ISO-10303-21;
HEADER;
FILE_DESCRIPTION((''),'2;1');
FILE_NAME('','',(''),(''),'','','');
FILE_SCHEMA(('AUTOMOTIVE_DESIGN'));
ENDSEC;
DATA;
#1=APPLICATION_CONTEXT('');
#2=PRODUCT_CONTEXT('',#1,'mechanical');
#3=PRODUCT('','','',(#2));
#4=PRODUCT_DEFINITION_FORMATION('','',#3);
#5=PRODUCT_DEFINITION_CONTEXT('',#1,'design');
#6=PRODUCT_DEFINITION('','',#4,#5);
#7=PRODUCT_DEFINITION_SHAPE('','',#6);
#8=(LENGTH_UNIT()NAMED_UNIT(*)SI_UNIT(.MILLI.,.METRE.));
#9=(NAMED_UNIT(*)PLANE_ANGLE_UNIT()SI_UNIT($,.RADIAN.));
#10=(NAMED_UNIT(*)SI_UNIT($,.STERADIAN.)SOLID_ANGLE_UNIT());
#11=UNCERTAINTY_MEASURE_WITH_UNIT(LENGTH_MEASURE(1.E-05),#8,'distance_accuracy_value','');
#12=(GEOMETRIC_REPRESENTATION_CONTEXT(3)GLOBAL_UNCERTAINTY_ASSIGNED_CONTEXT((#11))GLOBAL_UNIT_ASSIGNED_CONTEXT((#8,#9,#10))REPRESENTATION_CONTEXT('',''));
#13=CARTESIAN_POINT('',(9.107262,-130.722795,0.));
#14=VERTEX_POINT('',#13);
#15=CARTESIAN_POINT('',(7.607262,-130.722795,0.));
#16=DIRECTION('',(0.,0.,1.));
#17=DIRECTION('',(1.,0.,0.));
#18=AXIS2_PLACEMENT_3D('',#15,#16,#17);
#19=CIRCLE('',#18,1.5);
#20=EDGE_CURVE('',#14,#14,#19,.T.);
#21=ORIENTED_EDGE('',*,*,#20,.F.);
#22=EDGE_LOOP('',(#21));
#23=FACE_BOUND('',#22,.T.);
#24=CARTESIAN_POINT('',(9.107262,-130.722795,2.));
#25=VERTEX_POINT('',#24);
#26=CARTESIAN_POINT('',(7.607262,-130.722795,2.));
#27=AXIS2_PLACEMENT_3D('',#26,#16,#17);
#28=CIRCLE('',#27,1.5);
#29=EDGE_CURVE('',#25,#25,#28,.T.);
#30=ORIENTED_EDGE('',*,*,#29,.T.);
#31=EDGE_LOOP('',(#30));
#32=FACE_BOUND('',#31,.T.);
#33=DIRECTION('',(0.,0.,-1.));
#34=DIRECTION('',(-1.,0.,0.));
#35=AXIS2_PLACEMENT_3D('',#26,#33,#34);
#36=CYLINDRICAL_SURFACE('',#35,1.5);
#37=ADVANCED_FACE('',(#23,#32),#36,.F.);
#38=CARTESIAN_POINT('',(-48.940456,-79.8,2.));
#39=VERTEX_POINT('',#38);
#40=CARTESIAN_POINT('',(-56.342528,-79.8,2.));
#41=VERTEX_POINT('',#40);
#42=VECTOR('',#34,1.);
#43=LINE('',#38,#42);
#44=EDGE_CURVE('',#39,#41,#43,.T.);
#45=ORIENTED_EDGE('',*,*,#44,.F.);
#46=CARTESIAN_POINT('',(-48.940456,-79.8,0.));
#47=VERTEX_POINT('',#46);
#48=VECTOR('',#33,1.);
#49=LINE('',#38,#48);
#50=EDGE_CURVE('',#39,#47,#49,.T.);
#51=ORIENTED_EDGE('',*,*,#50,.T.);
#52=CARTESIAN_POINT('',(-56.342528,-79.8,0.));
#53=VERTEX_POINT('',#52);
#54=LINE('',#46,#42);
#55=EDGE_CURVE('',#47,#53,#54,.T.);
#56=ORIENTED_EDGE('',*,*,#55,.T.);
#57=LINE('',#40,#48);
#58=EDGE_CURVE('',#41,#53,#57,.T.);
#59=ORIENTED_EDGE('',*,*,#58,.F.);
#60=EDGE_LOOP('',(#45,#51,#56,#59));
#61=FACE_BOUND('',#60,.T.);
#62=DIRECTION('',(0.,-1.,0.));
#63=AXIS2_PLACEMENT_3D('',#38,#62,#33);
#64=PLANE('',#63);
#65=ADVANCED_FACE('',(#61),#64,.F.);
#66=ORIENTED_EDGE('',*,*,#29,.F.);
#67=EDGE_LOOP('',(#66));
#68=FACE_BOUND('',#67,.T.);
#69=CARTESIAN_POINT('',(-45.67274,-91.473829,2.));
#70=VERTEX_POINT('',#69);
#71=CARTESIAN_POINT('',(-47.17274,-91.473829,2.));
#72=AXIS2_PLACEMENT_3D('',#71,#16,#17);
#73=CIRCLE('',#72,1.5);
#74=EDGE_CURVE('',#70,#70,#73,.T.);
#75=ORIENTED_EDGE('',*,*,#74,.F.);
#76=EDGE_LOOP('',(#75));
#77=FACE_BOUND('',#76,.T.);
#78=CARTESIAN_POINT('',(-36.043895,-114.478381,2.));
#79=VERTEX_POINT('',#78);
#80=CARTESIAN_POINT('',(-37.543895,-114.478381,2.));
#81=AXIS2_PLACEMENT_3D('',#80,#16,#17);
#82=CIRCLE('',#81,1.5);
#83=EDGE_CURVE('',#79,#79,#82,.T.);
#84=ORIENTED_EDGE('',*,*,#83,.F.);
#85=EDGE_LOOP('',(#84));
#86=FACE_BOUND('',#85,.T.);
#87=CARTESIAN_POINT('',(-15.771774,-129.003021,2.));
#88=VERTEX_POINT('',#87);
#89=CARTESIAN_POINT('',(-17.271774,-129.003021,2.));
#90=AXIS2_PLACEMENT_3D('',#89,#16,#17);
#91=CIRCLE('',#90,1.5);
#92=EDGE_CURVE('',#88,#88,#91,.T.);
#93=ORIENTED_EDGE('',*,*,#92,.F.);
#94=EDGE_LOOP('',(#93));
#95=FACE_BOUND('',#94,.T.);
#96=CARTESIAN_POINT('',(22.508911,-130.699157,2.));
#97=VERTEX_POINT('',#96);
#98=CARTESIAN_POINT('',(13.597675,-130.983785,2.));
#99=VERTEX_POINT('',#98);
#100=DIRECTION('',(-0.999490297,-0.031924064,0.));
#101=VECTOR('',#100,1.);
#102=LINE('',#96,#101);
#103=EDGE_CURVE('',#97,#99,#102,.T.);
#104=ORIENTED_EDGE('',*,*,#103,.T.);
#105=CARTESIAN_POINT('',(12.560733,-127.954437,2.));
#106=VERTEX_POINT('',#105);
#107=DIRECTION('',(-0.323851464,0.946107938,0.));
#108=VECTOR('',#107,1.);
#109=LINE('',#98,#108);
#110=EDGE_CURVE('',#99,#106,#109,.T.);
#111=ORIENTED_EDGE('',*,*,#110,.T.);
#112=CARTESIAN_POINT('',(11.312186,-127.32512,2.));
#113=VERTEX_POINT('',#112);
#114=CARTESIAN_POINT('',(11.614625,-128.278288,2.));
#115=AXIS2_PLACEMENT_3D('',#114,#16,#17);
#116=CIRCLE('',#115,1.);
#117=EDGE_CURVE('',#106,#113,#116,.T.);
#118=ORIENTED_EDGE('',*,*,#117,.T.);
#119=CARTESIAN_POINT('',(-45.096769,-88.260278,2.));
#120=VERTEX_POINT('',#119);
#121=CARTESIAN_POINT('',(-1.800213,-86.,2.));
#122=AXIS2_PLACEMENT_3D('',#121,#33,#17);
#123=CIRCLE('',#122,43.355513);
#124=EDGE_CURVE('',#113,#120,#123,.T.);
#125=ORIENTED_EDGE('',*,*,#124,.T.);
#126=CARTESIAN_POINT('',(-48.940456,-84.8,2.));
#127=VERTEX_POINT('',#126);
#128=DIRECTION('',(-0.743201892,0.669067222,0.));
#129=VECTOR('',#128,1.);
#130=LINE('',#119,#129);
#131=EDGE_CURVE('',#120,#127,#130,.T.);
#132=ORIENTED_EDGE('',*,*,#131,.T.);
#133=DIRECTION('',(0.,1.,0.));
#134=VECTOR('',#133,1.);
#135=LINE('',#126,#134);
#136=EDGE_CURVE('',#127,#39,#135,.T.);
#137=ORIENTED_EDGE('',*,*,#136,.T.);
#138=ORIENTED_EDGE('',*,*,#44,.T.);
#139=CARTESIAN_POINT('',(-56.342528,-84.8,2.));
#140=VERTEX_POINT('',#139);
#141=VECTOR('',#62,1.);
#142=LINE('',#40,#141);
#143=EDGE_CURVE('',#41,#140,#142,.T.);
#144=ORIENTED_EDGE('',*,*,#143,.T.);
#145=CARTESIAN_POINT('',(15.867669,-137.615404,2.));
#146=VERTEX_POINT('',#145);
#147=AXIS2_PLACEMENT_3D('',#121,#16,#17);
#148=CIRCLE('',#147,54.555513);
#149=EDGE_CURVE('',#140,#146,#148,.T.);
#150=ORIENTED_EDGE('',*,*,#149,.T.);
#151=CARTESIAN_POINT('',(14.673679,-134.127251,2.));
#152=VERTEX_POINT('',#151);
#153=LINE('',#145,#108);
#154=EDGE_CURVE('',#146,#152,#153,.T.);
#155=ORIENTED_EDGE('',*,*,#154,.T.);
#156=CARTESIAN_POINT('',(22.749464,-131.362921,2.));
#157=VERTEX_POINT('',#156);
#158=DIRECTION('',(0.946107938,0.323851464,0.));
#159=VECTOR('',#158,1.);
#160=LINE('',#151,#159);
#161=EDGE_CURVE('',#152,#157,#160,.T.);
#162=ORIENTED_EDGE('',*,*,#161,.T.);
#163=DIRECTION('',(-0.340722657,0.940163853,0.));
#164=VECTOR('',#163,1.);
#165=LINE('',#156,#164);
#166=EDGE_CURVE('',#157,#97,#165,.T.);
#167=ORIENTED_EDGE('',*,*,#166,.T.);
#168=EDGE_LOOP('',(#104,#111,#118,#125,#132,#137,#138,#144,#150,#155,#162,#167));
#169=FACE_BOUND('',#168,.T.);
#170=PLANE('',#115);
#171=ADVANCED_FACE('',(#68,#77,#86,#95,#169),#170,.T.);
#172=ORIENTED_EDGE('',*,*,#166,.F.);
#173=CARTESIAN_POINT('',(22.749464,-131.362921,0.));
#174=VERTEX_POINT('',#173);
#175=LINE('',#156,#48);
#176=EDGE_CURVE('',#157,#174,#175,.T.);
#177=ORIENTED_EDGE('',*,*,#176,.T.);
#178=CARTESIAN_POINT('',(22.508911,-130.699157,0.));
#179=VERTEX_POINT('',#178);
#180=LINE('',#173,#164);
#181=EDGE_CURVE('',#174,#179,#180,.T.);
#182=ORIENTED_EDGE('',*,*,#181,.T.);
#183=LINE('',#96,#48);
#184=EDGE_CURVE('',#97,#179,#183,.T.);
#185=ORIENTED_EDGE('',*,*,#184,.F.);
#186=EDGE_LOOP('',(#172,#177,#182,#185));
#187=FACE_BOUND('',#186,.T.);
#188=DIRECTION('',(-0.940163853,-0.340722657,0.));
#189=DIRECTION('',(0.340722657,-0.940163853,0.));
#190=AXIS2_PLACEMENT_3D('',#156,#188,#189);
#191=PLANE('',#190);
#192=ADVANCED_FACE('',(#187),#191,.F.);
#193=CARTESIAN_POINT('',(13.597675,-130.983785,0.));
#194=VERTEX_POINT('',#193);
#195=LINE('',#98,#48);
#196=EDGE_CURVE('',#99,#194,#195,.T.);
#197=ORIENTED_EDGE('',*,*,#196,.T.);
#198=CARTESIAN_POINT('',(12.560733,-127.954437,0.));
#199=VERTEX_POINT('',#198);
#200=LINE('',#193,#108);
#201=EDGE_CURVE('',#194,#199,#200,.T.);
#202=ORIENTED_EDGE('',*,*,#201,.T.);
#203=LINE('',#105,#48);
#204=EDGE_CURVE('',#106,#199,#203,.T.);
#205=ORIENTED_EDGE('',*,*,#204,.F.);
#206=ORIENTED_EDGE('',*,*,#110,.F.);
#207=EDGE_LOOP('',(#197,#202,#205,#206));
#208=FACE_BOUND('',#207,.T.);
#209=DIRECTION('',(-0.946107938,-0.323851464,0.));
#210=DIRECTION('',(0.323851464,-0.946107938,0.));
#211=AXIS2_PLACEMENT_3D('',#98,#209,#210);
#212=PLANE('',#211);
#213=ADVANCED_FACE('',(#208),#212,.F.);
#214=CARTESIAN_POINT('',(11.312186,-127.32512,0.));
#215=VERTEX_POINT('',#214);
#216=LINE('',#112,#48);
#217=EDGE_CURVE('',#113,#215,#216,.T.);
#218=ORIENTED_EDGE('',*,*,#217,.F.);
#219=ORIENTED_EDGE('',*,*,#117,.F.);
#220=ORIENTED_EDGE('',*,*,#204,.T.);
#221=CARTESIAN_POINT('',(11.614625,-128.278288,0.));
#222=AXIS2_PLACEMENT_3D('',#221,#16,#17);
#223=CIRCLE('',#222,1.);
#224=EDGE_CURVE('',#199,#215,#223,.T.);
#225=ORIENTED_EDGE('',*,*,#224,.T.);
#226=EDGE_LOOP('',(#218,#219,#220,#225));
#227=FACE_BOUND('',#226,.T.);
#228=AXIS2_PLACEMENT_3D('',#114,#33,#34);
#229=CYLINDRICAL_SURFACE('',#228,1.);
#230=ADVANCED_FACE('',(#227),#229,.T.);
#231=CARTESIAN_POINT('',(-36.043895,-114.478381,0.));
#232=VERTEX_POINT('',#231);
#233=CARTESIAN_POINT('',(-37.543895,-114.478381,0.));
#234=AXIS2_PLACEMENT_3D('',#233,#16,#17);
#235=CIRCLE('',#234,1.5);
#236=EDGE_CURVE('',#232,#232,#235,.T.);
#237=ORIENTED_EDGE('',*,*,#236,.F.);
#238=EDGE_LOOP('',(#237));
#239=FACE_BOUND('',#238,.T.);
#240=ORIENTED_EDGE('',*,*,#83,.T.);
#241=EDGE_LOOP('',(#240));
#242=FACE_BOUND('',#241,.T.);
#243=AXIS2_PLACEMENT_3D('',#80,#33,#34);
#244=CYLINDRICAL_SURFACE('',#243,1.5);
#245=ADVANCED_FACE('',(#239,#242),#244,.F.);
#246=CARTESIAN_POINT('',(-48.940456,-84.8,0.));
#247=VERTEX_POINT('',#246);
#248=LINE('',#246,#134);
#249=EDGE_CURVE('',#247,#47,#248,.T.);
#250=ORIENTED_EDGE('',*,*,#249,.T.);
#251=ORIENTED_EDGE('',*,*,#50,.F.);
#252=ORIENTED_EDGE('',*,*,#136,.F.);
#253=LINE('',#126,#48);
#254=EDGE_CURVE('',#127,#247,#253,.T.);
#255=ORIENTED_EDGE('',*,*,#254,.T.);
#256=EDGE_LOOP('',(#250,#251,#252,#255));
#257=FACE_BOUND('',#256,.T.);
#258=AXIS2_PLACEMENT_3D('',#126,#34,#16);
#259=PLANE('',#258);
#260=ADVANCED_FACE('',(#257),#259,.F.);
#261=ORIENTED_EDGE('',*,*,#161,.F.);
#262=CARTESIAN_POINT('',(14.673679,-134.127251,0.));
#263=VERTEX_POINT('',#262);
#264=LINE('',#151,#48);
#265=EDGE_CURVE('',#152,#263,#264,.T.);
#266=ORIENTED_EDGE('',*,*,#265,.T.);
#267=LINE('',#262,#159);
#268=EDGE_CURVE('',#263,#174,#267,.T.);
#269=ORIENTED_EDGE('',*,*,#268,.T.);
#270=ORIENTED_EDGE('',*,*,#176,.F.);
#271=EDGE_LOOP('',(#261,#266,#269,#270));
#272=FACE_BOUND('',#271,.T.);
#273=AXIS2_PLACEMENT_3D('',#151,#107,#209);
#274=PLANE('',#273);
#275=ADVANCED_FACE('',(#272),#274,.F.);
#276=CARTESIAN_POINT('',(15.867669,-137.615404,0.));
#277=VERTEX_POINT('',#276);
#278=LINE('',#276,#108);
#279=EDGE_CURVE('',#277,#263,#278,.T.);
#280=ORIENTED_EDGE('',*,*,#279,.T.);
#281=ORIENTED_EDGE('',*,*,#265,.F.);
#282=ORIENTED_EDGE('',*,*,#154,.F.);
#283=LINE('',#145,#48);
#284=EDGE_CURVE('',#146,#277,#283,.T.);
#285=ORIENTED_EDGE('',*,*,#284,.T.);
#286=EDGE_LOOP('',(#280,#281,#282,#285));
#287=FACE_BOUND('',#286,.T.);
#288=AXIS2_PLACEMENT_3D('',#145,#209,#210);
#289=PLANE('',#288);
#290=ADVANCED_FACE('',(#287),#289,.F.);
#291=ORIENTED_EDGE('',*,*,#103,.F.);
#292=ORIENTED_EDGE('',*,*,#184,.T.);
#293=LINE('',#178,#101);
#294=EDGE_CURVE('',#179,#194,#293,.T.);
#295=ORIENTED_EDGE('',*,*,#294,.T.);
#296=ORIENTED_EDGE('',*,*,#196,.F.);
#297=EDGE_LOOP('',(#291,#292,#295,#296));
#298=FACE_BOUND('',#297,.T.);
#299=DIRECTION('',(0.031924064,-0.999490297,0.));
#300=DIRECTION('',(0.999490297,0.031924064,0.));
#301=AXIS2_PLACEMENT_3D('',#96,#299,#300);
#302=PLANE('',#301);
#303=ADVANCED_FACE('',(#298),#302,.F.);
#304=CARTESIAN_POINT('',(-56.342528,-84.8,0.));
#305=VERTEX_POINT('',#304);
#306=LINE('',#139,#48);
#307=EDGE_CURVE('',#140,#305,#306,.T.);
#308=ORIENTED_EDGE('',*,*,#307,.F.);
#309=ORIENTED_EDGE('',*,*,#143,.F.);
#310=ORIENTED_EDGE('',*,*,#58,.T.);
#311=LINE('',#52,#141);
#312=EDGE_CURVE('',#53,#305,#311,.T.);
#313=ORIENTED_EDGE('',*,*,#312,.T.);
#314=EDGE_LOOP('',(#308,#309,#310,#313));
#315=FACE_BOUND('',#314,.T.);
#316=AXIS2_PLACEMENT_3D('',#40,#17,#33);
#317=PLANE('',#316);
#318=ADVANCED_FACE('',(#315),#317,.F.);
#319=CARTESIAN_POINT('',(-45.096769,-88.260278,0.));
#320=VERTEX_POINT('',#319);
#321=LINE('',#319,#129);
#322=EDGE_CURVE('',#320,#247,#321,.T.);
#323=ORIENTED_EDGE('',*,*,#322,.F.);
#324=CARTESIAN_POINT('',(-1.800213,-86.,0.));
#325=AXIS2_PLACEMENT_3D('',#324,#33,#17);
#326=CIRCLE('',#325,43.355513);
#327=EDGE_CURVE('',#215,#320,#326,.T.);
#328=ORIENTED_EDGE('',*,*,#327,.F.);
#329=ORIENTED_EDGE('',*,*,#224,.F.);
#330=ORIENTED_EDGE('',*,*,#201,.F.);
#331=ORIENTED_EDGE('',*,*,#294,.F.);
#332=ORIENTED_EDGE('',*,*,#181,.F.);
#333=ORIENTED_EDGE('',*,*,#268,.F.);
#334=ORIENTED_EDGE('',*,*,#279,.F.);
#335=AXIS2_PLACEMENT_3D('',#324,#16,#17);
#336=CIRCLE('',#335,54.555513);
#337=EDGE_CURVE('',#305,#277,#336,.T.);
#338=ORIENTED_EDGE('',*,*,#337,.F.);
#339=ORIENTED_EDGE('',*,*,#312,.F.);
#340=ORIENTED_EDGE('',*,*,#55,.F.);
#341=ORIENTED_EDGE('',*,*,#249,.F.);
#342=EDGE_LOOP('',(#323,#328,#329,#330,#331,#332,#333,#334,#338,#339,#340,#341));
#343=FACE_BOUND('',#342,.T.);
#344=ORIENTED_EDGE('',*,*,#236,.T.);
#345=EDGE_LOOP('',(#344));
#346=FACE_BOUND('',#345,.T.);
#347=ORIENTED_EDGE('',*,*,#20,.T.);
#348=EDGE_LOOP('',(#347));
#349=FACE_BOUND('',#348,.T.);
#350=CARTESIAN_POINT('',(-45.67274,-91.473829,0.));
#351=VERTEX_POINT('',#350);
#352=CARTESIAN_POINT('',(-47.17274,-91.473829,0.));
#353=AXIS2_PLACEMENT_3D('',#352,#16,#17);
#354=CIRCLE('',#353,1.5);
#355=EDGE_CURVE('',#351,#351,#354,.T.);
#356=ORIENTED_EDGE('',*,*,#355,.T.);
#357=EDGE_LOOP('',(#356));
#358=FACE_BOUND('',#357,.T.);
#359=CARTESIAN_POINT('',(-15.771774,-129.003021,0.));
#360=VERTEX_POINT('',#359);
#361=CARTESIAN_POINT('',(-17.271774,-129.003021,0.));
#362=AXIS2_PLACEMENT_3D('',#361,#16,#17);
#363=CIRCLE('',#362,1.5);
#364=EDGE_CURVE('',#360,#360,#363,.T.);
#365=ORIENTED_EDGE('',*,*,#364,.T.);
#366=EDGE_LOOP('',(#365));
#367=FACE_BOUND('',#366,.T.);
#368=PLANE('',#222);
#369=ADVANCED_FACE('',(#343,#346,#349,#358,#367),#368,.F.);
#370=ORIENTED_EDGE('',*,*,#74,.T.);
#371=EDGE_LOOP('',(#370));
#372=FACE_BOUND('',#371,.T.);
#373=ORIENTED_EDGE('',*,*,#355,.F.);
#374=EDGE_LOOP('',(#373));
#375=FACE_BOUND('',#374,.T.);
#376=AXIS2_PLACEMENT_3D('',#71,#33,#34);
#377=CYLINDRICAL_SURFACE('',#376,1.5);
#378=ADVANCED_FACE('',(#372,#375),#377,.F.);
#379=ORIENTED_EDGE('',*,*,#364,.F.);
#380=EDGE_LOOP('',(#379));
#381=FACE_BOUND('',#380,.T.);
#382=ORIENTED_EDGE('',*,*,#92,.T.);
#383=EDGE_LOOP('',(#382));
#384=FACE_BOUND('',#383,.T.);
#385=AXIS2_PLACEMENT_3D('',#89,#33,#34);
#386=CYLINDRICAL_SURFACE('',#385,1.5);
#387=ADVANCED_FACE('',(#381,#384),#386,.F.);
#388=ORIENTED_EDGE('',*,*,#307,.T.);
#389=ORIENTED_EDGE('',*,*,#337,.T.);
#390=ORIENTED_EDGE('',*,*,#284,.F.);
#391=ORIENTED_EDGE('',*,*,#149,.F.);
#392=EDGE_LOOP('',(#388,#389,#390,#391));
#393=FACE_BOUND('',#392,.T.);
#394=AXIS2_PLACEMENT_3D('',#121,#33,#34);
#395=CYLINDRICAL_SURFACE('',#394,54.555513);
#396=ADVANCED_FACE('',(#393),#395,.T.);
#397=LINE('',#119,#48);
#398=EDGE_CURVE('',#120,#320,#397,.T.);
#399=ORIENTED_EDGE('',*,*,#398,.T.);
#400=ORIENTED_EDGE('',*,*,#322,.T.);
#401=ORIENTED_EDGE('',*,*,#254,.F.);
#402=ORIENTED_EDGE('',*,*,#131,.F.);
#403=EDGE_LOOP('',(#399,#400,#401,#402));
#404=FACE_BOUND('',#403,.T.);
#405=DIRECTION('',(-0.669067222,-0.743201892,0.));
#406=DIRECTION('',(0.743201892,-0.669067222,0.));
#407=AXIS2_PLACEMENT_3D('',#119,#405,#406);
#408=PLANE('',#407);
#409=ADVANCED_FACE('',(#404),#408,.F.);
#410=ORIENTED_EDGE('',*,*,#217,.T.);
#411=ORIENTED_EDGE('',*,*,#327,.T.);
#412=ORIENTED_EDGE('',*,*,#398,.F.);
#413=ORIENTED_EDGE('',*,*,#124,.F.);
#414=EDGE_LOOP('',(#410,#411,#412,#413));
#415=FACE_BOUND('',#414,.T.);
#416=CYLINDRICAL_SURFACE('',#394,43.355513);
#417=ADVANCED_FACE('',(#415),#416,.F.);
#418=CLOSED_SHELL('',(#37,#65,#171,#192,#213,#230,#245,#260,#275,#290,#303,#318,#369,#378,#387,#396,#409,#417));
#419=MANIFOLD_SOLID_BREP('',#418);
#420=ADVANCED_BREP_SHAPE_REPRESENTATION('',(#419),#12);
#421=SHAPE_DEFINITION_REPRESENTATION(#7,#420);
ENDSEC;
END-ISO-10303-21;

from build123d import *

# Parameters (mm, degrees)
SKETCH1_R           = 1.5
BOSS_EXTRUDE1_DEPTH = 2


with BuildPart() as part:
    # Sketch1 → Boss-Extrude1 (new body)
    with BuildSketch(Plane.XY):
        with BuildLine():
            Line((22.508911342, -130.69915726), (13.597675192, -130.983785211))
            Line((13.597675192, -130.983785211), (12.560733381, -127.954436921))
            ThreePointArc((12.560733381, -127.954436921), (12.064722619, -127.385308804), (11.312186404, -127.325119655))
            ThreePointArc((11.312186404, -127.325119655), (-26.483938318, -121.642871269), (-45.096768624, -88.26027792))
            Line((-45.096768624, -88.26027792), (-48.940455795, -84.8))
            Line((-48.940455795, -84.8), (-48.940455795, -79.8))
            Line((-48.940455795, -79.8), (-56.342527733, -79.8))
            Line((-56.342527733, -79.8), (-56.342527733, -84.8))
            ThreePointArc((-56.342527733, -84.8), (-34.007319131, -130.034150274), (15.867669408, -137.615404294))
            Line((15.867669408, -137.615404294), (14.673679255, -134.127250965))
            Line((14.673679255, -134.127250965), (22.749464344, -131.362920683))
            Line((22.749464344, -131.362920683), (22.508911342, -130.69915726))
        make_face()
        with Locations((7.607262335, -130.722795016)):
            Circle(SKETCH1_R, mode=Mode.SUBTRACT)
        with Locations((-37.543895432, -114.478381178)):
            Circle(SKETCH1_R, mode=Mode.SUBTRACT)
        with Locations((-47.172740285, -91.473829097)):
            Circle(SKETCH1_R, mode=Mode.SUBTRACT)
        with Locations((-17.271773957, -129.003020951)):
            Circle(SKETCH1_R, mode=Mode.SUBTRACT)
    extrude(amount=BOSS_EXTRUDE1_DEPTH)


solid = part.part
